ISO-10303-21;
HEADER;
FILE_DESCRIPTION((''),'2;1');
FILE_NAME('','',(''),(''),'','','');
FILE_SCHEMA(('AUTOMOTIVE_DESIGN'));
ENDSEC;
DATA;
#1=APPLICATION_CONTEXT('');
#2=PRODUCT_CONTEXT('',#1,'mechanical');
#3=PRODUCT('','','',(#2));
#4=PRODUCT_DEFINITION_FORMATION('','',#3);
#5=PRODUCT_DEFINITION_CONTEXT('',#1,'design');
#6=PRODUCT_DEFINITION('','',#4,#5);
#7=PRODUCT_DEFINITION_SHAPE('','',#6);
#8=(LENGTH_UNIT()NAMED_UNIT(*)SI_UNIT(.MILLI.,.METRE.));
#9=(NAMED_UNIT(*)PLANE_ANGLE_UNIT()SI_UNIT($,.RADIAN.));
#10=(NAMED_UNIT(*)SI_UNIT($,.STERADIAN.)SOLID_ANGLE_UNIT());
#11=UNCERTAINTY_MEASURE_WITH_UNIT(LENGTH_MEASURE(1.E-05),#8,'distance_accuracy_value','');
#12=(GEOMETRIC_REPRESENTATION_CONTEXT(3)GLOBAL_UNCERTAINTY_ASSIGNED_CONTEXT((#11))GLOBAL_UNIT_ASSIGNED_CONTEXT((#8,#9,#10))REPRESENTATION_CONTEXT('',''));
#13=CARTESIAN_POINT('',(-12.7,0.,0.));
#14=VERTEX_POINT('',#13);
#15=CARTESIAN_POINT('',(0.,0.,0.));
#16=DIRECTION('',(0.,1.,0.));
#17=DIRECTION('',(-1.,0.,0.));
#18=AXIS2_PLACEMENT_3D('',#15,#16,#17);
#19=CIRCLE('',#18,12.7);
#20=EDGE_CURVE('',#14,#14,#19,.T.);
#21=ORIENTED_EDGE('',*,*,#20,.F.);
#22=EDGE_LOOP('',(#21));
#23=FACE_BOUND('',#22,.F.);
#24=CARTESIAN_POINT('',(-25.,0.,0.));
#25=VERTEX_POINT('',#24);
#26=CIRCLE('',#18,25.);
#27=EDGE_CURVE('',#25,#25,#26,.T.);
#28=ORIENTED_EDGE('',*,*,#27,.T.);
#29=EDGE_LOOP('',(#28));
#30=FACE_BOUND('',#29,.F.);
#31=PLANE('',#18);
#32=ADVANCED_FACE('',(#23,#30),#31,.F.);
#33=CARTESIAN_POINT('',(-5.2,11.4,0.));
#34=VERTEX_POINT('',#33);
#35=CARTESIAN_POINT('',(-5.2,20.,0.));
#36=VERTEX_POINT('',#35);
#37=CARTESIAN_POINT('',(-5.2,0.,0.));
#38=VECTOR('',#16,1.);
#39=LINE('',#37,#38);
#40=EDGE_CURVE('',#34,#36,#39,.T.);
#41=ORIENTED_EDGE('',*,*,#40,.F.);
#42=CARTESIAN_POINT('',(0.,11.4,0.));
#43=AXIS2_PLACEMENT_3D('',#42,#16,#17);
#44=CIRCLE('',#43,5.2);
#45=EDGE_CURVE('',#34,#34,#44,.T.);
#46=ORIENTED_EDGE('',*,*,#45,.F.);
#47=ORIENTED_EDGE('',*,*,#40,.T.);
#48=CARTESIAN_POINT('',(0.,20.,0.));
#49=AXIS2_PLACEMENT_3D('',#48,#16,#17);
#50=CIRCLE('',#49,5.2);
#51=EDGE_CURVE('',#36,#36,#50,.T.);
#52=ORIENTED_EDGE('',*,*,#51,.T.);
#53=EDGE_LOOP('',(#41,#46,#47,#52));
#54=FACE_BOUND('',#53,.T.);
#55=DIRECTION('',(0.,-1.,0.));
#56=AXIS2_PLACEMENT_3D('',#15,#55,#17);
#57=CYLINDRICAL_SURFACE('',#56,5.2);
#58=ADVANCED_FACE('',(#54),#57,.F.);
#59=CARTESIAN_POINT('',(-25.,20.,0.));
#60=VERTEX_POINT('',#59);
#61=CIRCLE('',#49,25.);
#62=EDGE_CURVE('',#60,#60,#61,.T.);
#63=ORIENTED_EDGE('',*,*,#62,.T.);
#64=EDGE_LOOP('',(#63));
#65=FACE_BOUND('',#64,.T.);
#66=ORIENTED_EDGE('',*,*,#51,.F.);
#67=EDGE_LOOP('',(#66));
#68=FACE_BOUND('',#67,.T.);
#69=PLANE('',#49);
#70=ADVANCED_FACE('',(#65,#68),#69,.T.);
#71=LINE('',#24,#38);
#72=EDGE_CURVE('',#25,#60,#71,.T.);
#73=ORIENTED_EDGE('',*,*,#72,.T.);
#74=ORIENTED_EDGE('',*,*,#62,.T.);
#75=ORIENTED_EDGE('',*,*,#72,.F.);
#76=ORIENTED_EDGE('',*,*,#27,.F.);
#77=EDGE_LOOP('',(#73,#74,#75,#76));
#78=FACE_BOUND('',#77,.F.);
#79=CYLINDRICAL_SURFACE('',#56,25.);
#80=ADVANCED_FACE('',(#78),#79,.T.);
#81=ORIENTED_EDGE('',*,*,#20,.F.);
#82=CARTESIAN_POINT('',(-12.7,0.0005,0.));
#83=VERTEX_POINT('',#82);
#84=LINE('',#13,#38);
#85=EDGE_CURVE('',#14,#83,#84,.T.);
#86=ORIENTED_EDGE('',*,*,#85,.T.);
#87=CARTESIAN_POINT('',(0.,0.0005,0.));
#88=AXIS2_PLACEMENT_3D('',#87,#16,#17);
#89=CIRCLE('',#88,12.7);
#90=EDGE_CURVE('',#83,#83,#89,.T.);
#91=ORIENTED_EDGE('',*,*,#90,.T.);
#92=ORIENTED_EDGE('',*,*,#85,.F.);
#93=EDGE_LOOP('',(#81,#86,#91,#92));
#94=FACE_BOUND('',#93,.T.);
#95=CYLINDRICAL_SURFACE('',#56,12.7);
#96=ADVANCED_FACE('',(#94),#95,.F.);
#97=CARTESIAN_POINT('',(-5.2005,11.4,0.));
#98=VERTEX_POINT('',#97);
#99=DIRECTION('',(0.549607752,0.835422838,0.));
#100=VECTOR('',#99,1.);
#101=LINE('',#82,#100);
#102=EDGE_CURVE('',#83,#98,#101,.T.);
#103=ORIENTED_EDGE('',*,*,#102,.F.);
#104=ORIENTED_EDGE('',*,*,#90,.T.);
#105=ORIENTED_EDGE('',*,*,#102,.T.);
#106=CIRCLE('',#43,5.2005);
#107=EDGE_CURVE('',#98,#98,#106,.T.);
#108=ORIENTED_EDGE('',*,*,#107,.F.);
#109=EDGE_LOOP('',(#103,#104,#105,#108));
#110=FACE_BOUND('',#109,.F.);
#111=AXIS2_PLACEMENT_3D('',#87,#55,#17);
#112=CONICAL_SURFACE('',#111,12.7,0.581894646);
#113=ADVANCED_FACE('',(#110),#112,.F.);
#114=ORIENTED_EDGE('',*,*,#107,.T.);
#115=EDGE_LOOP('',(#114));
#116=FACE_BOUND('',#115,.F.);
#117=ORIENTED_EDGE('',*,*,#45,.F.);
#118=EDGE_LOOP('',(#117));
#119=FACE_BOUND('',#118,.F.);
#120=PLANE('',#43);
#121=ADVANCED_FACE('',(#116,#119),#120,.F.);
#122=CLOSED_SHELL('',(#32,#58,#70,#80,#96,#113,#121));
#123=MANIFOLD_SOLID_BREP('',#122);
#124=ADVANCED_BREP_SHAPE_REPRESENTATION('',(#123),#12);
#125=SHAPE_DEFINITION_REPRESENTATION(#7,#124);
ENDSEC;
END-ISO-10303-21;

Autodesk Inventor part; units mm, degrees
ref_plane "YZ Plane" through (0, 0, 0) normal (1, 0, 0) x (0, 1, 0)
ref_plane "XZ Plane" through (0, 0, 0) normal (0, 1, 0) x (-1, 0, 0)
ref_plane "XY Plane" through (0, 0, 0) normal (0, 0, 1) x (1, 0, 0)
sketch "Sketch1" plane through (0, 0, 0) normal (0, 1, 0) x (-1, 0, 0)
  circle A0 centre (0, 0) radius 25
  circle A1 centre (0, 0) radius 12.7
  circle A2 centre (0, 0) radius 5.2
  dimension "d1" = 50
  dimension "d14" = 25.4
  dimension "d15" = 10.4
extrude "Extrusion1" add sketch "Sketch1" along normal blind 20 contours A0 | A1 | A2
extrude "Extrusion2" cut sketch "Sketch1" along normal blind 11.4 contours A1
extrude "Extrusion3" cut sketch "Sketch1" along normal blind 20 contours A2
chamfer "Chamfer2" distance 11.4 distance2 7.5 1 edges at (12.7, 11.4, 0) measured on face at (-12.5355, 7.6, -2.0372)
properties part number "3. ring"
